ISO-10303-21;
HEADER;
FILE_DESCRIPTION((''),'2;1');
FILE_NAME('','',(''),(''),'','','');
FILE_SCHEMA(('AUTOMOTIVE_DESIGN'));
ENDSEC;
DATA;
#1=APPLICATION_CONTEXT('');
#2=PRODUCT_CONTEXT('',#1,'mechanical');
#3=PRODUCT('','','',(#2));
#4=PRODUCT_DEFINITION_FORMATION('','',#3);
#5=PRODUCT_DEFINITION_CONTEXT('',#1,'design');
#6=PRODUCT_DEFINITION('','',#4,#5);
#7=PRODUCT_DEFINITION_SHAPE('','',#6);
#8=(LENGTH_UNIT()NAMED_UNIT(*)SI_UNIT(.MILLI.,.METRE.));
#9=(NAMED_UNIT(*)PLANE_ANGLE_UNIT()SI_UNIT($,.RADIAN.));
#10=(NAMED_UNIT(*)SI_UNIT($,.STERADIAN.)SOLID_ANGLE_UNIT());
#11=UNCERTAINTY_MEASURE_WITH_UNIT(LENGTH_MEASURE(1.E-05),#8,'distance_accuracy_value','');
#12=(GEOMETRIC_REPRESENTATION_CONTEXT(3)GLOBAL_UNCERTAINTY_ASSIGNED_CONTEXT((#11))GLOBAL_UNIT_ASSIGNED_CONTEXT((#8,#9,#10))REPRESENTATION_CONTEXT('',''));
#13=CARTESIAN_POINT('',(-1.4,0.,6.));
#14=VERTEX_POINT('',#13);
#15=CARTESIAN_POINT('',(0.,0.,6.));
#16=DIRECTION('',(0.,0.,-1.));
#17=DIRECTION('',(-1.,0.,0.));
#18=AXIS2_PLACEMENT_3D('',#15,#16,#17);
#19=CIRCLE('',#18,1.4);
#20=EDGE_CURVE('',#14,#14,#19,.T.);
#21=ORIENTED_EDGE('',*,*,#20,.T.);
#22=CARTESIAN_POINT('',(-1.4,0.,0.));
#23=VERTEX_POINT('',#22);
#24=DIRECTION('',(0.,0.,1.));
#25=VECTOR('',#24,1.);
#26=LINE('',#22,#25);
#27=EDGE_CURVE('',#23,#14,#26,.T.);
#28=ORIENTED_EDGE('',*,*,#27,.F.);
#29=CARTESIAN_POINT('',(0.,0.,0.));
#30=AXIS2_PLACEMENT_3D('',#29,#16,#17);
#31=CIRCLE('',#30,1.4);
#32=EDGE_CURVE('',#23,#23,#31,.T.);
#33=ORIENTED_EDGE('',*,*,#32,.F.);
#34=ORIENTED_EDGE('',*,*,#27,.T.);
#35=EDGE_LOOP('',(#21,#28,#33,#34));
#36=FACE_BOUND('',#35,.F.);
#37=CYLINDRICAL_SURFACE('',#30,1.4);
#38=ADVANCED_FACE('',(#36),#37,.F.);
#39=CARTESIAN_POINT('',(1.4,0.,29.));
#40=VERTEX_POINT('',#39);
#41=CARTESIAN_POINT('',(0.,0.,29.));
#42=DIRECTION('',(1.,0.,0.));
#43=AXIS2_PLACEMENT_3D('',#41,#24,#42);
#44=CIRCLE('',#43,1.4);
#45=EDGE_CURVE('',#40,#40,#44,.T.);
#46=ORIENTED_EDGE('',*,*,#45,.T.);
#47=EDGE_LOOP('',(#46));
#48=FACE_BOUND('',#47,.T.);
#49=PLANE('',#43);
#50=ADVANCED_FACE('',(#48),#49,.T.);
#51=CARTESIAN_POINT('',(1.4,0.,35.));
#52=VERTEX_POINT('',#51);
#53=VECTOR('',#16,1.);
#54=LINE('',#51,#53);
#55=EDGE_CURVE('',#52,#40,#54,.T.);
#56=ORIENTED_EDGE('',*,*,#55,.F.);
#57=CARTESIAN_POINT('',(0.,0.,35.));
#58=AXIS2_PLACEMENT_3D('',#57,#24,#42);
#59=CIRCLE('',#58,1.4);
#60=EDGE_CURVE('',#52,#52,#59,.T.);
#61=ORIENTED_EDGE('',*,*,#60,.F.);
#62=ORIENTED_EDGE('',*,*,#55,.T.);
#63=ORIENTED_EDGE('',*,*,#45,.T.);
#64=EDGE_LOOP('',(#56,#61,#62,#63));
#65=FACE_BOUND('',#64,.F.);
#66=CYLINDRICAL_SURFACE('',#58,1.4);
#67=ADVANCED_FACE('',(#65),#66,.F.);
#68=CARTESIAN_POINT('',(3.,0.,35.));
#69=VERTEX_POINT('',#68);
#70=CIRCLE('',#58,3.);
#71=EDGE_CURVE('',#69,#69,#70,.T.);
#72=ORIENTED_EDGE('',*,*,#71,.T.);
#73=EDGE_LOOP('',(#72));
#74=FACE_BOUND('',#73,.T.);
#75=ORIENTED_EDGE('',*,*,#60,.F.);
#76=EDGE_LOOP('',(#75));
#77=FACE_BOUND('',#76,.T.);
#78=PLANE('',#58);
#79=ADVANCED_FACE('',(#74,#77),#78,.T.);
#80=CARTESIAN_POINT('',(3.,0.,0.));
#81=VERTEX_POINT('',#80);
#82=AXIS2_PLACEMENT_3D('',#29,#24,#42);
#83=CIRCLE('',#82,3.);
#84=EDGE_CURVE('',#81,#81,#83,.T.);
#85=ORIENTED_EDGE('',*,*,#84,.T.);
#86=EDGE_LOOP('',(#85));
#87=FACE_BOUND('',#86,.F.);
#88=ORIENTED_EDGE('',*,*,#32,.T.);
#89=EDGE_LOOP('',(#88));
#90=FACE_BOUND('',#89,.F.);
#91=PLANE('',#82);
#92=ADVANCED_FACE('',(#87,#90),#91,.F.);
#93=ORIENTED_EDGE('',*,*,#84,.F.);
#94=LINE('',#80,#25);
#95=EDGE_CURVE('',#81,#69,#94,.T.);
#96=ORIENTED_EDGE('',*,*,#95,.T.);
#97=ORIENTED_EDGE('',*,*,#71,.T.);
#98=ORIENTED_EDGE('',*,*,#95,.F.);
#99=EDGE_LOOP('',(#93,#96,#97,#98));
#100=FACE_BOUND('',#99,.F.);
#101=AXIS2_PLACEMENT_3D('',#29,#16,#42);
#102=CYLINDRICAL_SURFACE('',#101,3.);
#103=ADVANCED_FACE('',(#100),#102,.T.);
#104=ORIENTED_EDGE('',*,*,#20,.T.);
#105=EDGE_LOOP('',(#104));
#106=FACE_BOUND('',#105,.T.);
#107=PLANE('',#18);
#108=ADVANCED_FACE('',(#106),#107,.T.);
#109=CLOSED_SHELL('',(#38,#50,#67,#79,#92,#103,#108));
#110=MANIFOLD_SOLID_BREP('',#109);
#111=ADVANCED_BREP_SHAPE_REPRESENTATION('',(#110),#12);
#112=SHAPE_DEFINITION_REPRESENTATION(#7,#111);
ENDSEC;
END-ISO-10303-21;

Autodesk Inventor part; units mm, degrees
ref_plane "YZ Plane" through (0, 0, 0) normal (1, 0, 0) x (0, 1, 0)
ref_plane "XZ Plane" through (0, 0, 0) normal (0, 1, 0) x (-1, 0, 0)
ref_plane "XY Plane" through (0, 0, 0) normal (0, 0, 1) x (1, 0, 0)
sketch "スケッチ1" plane through (0, 0, 0) normal (0, 0, 1) x (1, 0, 0)
  circle A0 centre (0, 0) radius 3
  dimension "d0" = 6
extrude "押し出し1" add sketch "スケッチ1" along normal blind 35
sketch "スケッチ2" plane through (0, 0, 35) normal (0, 0, 1) x (1, 0, 0)
  circle A0 centre (0, 0) radius 1.4
  dimension "d3" = 2.8
extrude "押し出し2" cut sketch "スケッチ2" against normal blind 6
sketch "スケッチ3" plane through (0, 0, 0) normal (0, 0, -1) x (-1, 0, 0)
  circle A0 centre (0, 0) radius 1.4 projected
  circle A1 centre (0, 0) radius 1.4
extrude "押し出し3" cut sketch "スケッチ3" against normal blind 6
properties part number "34mm" material "アルミニウム 6061"
